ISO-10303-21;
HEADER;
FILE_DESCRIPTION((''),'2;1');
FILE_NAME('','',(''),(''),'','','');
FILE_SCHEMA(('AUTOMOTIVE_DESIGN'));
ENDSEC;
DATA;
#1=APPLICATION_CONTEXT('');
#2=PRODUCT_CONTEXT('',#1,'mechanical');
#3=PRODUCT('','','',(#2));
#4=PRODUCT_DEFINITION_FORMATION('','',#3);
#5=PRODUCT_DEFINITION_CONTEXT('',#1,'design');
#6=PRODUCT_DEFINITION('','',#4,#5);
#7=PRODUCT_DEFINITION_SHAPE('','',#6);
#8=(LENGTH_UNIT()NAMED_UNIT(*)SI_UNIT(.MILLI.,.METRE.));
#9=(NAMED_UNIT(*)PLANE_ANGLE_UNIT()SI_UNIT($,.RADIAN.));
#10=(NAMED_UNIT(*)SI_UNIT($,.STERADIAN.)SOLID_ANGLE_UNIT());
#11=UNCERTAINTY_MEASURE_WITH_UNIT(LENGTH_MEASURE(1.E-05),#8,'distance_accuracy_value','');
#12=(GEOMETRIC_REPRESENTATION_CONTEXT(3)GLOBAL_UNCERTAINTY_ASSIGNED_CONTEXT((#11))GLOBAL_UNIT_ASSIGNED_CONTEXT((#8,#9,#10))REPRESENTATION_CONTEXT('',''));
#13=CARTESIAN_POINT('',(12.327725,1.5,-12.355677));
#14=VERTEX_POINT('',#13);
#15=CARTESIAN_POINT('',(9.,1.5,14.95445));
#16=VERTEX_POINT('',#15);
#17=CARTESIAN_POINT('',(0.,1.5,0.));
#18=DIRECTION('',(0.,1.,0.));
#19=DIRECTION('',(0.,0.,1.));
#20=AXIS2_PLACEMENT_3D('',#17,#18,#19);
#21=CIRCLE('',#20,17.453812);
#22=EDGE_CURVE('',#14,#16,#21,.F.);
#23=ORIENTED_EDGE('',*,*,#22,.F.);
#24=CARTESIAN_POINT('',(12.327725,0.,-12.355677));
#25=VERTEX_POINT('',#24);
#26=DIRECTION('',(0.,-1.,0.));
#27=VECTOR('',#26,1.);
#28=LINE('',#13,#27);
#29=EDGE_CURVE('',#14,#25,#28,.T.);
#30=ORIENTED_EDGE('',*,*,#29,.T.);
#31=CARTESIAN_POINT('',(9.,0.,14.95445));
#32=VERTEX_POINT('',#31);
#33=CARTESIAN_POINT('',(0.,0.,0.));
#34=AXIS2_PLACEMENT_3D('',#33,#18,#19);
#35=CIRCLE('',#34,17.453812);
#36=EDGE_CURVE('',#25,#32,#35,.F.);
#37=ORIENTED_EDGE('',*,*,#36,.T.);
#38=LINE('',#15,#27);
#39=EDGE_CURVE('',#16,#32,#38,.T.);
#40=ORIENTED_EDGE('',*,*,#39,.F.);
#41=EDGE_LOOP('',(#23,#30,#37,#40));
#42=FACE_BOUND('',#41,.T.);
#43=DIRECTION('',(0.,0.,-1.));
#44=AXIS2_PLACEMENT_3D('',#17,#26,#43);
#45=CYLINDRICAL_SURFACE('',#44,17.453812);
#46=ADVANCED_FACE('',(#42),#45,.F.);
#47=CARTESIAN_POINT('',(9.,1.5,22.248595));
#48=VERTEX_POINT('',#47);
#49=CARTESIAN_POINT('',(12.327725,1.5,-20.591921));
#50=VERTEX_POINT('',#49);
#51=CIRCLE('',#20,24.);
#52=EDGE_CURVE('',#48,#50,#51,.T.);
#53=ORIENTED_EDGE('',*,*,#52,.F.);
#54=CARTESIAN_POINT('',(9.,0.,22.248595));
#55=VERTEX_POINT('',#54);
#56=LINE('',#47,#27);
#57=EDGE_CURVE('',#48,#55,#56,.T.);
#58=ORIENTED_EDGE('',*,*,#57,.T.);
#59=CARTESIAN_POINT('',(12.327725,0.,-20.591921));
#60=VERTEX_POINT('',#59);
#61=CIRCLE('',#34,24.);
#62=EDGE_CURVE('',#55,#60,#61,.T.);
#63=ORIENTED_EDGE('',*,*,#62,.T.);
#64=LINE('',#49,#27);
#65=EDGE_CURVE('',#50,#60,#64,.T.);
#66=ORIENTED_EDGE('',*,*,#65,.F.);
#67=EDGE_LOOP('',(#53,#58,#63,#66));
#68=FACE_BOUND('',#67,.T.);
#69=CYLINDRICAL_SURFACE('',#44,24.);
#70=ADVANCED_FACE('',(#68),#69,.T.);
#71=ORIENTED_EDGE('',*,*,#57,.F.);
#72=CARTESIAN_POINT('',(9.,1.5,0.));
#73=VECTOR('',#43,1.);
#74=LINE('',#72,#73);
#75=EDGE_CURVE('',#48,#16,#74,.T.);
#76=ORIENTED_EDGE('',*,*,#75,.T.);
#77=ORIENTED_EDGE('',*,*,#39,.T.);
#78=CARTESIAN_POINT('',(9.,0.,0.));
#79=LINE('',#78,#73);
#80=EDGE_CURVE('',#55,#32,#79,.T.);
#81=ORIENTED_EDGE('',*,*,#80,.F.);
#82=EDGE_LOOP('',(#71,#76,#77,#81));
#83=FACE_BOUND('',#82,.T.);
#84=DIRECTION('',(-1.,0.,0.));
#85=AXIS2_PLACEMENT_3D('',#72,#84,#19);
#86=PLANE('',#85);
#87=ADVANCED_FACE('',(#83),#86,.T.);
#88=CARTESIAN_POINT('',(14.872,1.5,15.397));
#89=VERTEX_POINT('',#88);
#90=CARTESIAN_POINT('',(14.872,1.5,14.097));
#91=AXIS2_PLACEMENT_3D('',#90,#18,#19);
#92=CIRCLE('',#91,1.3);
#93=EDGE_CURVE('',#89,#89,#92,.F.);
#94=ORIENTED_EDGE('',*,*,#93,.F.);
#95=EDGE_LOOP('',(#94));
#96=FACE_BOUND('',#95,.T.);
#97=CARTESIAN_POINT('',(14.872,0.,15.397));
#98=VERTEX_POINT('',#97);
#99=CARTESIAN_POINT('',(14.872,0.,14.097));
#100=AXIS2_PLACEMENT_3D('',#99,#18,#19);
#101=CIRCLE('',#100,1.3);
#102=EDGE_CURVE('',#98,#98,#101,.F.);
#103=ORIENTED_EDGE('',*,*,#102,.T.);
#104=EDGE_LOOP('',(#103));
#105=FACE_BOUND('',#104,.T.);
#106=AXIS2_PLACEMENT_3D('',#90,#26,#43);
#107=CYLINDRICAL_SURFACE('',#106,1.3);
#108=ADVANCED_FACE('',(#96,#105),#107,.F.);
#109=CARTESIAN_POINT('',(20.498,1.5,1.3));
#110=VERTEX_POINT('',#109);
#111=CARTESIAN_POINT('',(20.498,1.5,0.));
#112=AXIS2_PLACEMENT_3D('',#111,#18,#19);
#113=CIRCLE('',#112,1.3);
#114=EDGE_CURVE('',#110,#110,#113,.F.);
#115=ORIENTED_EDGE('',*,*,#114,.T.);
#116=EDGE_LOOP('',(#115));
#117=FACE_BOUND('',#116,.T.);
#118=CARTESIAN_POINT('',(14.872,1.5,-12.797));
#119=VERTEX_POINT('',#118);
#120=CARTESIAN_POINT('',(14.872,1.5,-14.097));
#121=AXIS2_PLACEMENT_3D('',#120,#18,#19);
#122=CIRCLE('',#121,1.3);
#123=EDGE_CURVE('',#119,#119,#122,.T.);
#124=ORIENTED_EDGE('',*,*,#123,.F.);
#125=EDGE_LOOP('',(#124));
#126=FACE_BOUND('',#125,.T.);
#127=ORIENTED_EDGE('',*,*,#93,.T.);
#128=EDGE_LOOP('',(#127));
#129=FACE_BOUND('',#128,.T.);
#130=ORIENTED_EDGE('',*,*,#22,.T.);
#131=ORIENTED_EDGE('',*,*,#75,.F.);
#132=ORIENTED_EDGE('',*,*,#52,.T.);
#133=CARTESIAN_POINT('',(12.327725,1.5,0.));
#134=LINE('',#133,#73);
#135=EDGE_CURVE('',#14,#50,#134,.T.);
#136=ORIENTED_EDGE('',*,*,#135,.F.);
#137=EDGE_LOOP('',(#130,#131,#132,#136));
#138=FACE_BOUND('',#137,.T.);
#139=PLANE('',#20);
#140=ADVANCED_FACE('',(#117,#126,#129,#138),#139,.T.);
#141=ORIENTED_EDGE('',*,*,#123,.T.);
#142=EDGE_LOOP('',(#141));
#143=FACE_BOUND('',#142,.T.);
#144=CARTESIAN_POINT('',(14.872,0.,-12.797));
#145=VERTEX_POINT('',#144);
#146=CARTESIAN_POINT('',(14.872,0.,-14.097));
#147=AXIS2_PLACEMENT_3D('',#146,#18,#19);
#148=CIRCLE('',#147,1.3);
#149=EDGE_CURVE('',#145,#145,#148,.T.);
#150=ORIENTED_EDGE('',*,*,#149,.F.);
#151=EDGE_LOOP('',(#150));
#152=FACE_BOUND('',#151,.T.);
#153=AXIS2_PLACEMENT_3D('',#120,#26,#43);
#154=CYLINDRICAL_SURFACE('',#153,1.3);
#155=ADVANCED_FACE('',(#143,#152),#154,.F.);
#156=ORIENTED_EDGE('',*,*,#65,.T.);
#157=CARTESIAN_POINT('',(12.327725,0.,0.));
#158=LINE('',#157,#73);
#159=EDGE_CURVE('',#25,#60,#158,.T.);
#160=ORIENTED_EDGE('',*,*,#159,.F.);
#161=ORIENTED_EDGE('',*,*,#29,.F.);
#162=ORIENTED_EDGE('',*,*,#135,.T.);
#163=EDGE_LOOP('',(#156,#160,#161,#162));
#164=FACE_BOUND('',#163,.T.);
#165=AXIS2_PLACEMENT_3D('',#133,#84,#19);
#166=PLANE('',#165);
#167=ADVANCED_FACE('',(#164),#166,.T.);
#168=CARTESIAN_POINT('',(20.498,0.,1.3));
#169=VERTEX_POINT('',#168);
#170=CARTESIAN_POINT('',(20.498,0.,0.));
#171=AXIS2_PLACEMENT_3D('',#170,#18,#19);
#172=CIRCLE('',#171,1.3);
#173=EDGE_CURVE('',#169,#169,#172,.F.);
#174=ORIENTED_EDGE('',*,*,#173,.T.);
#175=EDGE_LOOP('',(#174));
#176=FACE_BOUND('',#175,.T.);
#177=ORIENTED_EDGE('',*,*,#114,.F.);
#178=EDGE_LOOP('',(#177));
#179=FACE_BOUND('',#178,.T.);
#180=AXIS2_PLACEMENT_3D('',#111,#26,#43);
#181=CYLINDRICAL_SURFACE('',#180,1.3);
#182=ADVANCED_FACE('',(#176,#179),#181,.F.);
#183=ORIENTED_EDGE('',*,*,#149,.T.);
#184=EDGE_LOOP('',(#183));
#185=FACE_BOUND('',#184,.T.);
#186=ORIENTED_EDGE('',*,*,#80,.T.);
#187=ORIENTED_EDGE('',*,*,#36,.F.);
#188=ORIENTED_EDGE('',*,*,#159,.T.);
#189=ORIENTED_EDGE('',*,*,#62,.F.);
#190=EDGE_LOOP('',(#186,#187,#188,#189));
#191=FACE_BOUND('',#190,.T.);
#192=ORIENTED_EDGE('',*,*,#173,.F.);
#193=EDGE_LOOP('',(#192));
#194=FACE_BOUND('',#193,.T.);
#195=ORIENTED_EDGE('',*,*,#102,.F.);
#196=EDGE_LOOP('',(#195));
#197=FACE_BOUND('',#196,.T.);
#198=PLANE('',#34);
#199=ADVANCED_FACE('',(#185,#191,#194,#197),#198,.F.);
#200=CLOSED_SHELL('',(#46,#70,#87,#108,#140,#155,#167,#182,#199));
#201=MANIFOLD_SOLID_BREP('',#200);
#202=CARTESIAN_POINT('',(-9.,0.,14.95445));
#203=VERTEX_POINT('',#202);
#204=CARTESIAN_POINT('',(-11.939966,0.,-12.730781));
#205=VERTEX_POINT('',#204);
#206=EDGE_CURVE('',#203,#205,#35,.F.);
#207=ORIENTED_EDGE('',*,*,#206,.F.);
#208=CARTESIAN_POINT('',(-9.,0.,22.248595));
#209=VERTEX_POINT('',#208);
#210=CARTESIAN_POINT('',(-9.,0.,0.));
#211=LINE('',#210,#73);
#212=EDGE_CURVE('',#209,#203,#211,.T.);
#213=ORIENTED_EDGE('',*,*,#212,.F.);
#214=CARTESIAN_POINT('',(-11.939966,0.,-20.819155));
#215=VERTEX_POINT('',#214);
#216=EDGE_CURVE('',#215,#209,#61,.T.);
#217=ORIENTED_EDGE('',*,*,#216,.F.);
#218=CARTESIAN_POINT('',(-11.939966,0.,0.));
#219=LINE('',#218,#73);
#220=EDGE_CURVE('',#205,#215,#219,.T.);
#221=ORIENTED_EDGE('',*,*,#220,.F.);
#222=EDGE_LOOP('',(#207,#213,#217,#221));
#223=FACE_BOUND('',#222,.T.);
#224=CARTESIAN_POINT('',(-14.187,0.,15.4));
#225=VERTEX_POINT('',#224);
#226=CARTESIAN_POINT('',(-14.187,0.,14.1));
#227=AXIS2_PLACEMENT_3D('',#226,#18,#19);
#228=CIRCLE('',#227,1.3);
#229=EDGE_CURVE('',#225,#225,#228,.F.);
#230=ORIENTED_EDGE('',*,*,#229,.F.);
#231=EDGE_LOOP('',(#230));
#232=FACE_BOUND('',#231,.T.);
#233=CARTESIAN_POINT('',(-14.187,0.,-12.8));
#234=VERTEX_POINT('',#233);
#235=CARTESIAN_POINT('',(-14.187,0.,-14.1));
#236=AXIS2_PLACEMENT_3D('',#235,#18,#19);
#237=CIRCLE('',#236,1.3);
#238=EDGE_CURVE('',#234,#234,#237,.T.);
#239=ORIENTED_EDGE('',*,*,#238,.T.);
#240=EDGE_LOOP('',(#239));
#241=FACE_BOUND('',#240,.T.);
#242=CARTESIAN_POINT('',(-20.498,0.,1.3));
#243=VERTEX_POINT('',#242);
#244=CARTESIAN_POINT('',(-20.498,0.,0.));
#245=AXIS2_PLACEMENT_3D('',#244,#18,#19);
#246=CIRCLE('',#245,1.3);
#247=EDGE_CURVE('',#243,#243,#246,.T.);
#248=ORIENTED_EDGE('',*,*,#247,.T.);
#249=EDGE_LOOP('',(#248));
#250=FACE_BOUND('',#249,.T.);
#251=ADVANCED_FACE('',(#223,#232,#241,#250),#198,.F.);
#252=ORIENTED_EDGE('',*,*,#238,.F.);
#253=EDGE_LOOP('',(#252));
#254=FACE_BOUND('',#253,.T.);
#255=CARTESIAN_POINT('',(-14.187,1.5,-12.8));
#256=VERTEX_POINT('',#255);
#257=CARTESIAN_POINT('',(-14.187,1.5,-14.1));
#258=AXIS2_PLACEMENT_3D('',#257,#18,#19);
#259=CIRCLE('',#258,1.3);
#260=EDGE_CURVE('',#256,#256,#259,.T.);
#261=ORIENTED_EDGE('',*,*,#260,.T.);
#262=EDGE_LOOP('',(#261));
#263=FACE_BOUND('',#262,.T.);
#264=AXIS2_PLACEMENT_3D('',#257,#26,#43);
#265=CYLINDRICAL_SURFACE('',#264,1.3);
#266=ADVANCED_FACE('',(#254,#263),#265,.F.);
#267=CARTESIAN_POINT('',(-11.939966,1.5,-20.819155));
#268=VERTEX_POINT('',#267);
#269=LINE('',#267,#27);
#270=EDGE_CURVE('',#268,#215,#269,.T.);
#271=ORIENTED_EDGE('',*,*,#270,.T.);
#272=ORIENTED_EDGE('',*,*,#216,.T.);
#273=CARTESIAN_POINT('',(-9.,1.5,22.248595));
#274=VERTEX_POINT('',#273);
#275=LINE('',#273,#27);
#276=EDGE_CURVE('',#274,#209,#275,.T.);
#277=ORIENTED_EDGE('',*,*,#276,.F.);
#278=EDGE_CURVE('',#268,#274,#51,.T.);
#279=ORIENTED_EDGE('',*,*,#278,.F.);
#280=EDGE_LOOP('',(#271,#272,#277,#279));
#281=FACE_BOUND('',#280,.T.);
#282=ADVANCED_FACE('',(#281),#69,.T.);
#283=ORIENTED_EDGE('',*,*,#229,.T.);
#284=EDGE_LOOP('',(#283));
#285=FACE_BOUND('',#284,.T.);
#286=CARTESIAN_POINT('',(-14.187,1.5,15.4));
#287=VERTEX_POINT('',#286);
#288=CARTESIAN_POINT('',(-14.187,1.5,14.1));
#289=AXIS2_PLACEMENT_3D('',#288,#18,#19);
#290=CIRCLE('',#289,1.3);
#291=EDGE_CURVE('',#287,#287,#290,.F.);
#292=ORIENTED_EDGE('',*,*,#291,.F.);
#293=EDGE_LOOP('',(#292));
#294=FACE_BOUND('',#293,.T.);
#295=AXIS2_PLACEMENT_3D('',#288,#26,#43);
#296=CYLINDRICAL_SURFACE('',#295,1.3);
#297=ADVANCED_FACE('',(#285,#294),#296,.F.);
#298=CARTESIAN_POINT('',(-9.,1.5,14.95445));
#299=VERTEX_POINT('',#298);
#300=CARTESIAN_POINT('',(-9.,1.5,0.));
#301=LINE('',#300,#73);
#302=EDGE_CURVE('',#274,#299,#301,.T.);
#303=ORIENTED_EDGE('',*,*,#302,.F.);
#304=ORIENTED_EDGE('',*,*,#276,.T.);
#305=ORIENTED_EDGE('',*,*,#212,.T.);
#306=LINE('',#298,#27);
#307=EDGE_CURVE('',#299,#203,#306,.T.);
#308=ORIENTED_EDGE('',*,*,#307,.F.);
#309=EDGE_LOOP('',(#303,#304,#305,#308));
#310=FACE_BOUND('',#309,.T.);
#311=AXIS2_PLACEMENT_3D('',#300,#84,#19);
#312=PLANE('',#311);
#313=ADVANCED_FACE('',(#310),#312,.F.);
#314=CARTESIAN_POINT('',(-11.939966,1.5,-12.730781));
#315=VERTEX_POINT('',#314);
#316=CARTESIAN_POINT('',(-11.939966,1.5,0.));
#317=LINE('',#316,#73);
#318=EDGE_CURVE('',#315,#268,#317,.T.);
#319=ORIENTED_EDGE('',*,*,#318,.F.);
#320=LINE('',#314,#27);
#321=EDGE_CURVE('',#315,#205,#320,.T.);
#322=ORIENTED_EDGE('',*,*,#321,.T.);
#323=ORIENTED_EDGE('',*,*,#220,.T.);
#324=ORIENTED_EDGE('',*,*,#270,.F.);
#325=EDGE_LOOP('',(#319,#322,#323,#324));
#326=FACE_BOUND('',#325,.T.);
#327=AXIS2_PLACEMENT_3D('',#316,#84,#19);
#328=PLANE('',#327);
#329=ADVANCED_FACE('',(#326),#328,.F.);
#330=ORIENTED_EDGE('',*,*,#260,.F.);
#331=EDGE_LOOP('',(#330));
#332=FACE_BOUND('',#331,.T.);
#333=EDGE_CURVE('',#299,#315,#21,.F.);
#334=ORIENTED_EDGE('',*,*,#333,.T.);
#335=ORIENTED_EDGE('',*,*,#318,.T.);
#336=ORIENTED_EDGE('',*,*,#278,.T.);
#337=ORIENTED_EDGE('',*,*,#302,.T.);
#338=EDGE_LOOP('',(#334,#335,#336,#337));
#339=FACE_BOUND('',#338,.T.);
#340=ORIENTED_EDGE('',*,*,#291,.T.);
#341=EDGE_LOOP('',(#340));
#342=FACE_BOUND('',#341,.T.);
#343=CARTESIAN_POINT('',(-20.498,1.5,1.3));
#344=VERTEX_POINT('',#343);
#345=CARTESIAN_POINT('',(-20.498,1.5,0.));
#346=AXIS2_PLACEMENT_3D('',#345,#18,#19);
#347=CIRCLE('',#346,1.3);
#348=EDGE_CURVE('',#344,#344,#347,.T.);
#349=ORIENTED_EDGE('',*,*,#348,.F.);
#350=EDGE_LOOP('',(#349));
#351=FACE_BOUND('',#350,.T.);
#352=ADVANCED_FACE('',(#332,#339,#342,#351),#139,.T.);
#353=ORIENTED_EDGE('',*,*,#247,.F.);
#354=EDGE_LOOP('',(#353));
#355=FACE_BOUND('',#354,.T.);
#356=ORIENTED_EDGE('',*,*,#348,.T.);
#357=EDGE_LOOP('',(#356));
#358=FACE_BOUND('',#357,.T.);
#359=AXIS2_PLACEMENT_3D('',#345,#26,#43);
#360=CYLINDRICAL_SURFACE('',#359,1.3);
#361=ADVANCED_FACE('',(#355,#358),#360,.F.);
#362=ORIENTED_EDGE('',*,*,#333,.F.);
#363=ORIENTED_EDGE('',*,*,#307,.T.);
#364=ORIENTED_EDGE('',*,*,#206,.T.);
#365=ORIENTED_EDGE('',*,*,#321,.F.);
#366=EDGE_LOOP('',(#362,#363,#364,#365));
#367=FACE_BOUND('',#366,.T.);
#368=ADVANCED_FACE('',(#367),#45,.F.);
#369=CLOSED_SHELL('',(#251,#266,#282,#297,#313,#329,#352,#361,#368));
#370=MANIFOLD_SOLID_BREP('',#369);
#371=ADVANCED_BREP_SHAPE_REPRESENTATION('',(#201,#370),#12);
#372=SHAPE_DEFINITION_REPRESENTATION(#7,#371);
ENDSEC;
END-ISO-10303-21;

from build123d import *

# Parameters (mm, degrees)
SKETCH_1_R      = 2.3
SKETCH_1_R_2    = 1.3
EXTRUDE_1_DEPTH = 1.5


with BuildPart() as part:
    # 草图1 → 凸台-拉伸1 (new body)
    # profile 1 of 8: a face of its own
    with BuildSketch(Plane(origin=(0, 0, 0), x_dir=(1, 0, 0), z_dir=(0, 1, 0))):
        with BuildLine():
            Line((-9, -22.248595461), (-9, -14.954449778))
            ThreePointArc((-9, -14.954449778), (-17.356224893, -1.843102181), (-11.939965885, 12.73078092))
            Line((-11.939965885, 12.73078092), (-11.939965885, 13.609247836))
            ThreePointArc((-11.939965885, 13.609247836), (-16.487, 14.1), (-11.939965885, 14.590752164))
            Line((-11.939965885, 14.590752164), (-11.939965885, 20.819154994))
            ThreePointArc((-11.939965885, 20.819154994), (-23.944275415, -1.634525883), (-9, -22.248595461))
        make_face()
        with Locations((-14.187, -14.1)):
            Circle(SKETCH_1_R, mode=Mode.SUBTRACT)
        with Locations((-20.498, 0)):
            Circle(SKETCH_1_R, mode=Mode.SUBTRACT)
    # profile 2 of 8: a face of its own
    with BuildSketch(Plane(origin=(0, 0, 0), x_dir=(1, 0, 0), z_dir=(0, 1, 0))):
        with BuildLine():
            Line((12.327725044, 20.59192063), (12.327725044, 12.355677376))
            ThreePointArc((12.327725044, 12.355677376), (17.325666659, -2.111123633), (9, -14.954449778))
            Line((9, -14.954449778), (9, -22.248595461))
            ThreePointArc((9, -22.248595461), (19.899748742, -13.416407865), (24, 0))
            ThreePointArc((24, 0), (20.879001426, 11.835003146), (12.327725044, 20.59192063))
        make_face()
        with Locations((14.872, -14.097)):
            Circle(SKETCH_1_R, mode=Mode.SUBTRACT)
        with Locations((20.498, 0)):
            Circle(SKETCH_1_R, mode=Mode.SUBTRACT)
        with Locations((14.872, 14.097)):
            Circle(SKETCH_1_R, mode=Mode.SUBTRACT)
    # profile 3 of 8: a face of its own
    with BuildSketch(Plane(origin=(0, 0, 0), x_dir=(1, 0, 0), z_dir=(0, 1, 0))):
        with BuildLine():
            ThreePointArc((-11.939965885, 14.590752164), (-16.487, 14.1), (-11.939965885, 13.609247836))
            Line((-11.939965885, 13.609247836), (-11.939965885, 14.590752164))
        make_face()
        with Locations(Location((-14.187, 14.1, 0), (0, 0, 270))):
            Circle(SKETCH_1_R_2, mode=Mode.SUBTRACT)
    # profile 4 of 8: a face of its own
    with BuildSketch(Plane(origin=(0, 0, 0), x_dir=(1, 0, 0), z_dir=(0, 1, 0))):
        with Locations((-20.498, 0)):
            Circle(SKETCH_1_R)
        with Locations(Location((-20.498, 0, 0), (0, 0, 270))):
            Circle(SKETCH_1_R_2, mode=Mode.SUBTRACT)
    # profile 5 of 8: a face of its own
    with BuildSketch(Plane(origin=(0, 0, 0), x_dir=(1, 0, 0), z_dir=(0, 1, 0))):
        with Locations((-14.187, -14.1)):
            Circle(SKETCH_1_R)
        with Locations(Location((-14.187, -14.1, 0), (0, 0, 270))):
            Circle(SKETCH_1_R_2, mode=Mode.SUBTRACT)
    # profile 6 of 8: a face of its own
    with BuildSketch(Plane(origin=(0, 0, 0), x_dir=(1, 0, 0), z_dir=(0, 1, 0))):
        with Locations((20.498, 0)):
            Circle(SKETCH_1_R)
        with Locations(Location((20.498, 0, 0), (0, 0, 270))):
            Circle(SKETCH_1_R_2, mode=Mode.SUBTRACT)
    # profile 7 of 8: a face of its own
    with BuildSketch(Plane(origin=(0, 0, 0), x_dir=(1, 0, 0), z_dir=(0, 1, 0))):
        with Locations((14.872, 14.097)):
            Circle(SKETCH_1_R)
        with Locations(Location((14.872, 14.097, 0), (0, 0, 270))):
            Circle(SKETCH_1_R_2, mode=Mode.SUBTRACT)
    # profile 8 of 8: a face of its own
    with BuildSketch(Plane(origin=(0, 0, 0), x_dir=(1, 0, 0), z_dir=(0, 1, 0))):
        with Locations((14.872, -14.097)):
            Circle(SKETCH_1_R)
        with Locations(Location((14.872, -14.097, 0), (0, 0, 270))):
            Circle(SKETCH_1_R_2, mode=Mode.SUBTRACT)
    extrude(amount=EXTRUDE_1_DEPTH)


solid = part.part
